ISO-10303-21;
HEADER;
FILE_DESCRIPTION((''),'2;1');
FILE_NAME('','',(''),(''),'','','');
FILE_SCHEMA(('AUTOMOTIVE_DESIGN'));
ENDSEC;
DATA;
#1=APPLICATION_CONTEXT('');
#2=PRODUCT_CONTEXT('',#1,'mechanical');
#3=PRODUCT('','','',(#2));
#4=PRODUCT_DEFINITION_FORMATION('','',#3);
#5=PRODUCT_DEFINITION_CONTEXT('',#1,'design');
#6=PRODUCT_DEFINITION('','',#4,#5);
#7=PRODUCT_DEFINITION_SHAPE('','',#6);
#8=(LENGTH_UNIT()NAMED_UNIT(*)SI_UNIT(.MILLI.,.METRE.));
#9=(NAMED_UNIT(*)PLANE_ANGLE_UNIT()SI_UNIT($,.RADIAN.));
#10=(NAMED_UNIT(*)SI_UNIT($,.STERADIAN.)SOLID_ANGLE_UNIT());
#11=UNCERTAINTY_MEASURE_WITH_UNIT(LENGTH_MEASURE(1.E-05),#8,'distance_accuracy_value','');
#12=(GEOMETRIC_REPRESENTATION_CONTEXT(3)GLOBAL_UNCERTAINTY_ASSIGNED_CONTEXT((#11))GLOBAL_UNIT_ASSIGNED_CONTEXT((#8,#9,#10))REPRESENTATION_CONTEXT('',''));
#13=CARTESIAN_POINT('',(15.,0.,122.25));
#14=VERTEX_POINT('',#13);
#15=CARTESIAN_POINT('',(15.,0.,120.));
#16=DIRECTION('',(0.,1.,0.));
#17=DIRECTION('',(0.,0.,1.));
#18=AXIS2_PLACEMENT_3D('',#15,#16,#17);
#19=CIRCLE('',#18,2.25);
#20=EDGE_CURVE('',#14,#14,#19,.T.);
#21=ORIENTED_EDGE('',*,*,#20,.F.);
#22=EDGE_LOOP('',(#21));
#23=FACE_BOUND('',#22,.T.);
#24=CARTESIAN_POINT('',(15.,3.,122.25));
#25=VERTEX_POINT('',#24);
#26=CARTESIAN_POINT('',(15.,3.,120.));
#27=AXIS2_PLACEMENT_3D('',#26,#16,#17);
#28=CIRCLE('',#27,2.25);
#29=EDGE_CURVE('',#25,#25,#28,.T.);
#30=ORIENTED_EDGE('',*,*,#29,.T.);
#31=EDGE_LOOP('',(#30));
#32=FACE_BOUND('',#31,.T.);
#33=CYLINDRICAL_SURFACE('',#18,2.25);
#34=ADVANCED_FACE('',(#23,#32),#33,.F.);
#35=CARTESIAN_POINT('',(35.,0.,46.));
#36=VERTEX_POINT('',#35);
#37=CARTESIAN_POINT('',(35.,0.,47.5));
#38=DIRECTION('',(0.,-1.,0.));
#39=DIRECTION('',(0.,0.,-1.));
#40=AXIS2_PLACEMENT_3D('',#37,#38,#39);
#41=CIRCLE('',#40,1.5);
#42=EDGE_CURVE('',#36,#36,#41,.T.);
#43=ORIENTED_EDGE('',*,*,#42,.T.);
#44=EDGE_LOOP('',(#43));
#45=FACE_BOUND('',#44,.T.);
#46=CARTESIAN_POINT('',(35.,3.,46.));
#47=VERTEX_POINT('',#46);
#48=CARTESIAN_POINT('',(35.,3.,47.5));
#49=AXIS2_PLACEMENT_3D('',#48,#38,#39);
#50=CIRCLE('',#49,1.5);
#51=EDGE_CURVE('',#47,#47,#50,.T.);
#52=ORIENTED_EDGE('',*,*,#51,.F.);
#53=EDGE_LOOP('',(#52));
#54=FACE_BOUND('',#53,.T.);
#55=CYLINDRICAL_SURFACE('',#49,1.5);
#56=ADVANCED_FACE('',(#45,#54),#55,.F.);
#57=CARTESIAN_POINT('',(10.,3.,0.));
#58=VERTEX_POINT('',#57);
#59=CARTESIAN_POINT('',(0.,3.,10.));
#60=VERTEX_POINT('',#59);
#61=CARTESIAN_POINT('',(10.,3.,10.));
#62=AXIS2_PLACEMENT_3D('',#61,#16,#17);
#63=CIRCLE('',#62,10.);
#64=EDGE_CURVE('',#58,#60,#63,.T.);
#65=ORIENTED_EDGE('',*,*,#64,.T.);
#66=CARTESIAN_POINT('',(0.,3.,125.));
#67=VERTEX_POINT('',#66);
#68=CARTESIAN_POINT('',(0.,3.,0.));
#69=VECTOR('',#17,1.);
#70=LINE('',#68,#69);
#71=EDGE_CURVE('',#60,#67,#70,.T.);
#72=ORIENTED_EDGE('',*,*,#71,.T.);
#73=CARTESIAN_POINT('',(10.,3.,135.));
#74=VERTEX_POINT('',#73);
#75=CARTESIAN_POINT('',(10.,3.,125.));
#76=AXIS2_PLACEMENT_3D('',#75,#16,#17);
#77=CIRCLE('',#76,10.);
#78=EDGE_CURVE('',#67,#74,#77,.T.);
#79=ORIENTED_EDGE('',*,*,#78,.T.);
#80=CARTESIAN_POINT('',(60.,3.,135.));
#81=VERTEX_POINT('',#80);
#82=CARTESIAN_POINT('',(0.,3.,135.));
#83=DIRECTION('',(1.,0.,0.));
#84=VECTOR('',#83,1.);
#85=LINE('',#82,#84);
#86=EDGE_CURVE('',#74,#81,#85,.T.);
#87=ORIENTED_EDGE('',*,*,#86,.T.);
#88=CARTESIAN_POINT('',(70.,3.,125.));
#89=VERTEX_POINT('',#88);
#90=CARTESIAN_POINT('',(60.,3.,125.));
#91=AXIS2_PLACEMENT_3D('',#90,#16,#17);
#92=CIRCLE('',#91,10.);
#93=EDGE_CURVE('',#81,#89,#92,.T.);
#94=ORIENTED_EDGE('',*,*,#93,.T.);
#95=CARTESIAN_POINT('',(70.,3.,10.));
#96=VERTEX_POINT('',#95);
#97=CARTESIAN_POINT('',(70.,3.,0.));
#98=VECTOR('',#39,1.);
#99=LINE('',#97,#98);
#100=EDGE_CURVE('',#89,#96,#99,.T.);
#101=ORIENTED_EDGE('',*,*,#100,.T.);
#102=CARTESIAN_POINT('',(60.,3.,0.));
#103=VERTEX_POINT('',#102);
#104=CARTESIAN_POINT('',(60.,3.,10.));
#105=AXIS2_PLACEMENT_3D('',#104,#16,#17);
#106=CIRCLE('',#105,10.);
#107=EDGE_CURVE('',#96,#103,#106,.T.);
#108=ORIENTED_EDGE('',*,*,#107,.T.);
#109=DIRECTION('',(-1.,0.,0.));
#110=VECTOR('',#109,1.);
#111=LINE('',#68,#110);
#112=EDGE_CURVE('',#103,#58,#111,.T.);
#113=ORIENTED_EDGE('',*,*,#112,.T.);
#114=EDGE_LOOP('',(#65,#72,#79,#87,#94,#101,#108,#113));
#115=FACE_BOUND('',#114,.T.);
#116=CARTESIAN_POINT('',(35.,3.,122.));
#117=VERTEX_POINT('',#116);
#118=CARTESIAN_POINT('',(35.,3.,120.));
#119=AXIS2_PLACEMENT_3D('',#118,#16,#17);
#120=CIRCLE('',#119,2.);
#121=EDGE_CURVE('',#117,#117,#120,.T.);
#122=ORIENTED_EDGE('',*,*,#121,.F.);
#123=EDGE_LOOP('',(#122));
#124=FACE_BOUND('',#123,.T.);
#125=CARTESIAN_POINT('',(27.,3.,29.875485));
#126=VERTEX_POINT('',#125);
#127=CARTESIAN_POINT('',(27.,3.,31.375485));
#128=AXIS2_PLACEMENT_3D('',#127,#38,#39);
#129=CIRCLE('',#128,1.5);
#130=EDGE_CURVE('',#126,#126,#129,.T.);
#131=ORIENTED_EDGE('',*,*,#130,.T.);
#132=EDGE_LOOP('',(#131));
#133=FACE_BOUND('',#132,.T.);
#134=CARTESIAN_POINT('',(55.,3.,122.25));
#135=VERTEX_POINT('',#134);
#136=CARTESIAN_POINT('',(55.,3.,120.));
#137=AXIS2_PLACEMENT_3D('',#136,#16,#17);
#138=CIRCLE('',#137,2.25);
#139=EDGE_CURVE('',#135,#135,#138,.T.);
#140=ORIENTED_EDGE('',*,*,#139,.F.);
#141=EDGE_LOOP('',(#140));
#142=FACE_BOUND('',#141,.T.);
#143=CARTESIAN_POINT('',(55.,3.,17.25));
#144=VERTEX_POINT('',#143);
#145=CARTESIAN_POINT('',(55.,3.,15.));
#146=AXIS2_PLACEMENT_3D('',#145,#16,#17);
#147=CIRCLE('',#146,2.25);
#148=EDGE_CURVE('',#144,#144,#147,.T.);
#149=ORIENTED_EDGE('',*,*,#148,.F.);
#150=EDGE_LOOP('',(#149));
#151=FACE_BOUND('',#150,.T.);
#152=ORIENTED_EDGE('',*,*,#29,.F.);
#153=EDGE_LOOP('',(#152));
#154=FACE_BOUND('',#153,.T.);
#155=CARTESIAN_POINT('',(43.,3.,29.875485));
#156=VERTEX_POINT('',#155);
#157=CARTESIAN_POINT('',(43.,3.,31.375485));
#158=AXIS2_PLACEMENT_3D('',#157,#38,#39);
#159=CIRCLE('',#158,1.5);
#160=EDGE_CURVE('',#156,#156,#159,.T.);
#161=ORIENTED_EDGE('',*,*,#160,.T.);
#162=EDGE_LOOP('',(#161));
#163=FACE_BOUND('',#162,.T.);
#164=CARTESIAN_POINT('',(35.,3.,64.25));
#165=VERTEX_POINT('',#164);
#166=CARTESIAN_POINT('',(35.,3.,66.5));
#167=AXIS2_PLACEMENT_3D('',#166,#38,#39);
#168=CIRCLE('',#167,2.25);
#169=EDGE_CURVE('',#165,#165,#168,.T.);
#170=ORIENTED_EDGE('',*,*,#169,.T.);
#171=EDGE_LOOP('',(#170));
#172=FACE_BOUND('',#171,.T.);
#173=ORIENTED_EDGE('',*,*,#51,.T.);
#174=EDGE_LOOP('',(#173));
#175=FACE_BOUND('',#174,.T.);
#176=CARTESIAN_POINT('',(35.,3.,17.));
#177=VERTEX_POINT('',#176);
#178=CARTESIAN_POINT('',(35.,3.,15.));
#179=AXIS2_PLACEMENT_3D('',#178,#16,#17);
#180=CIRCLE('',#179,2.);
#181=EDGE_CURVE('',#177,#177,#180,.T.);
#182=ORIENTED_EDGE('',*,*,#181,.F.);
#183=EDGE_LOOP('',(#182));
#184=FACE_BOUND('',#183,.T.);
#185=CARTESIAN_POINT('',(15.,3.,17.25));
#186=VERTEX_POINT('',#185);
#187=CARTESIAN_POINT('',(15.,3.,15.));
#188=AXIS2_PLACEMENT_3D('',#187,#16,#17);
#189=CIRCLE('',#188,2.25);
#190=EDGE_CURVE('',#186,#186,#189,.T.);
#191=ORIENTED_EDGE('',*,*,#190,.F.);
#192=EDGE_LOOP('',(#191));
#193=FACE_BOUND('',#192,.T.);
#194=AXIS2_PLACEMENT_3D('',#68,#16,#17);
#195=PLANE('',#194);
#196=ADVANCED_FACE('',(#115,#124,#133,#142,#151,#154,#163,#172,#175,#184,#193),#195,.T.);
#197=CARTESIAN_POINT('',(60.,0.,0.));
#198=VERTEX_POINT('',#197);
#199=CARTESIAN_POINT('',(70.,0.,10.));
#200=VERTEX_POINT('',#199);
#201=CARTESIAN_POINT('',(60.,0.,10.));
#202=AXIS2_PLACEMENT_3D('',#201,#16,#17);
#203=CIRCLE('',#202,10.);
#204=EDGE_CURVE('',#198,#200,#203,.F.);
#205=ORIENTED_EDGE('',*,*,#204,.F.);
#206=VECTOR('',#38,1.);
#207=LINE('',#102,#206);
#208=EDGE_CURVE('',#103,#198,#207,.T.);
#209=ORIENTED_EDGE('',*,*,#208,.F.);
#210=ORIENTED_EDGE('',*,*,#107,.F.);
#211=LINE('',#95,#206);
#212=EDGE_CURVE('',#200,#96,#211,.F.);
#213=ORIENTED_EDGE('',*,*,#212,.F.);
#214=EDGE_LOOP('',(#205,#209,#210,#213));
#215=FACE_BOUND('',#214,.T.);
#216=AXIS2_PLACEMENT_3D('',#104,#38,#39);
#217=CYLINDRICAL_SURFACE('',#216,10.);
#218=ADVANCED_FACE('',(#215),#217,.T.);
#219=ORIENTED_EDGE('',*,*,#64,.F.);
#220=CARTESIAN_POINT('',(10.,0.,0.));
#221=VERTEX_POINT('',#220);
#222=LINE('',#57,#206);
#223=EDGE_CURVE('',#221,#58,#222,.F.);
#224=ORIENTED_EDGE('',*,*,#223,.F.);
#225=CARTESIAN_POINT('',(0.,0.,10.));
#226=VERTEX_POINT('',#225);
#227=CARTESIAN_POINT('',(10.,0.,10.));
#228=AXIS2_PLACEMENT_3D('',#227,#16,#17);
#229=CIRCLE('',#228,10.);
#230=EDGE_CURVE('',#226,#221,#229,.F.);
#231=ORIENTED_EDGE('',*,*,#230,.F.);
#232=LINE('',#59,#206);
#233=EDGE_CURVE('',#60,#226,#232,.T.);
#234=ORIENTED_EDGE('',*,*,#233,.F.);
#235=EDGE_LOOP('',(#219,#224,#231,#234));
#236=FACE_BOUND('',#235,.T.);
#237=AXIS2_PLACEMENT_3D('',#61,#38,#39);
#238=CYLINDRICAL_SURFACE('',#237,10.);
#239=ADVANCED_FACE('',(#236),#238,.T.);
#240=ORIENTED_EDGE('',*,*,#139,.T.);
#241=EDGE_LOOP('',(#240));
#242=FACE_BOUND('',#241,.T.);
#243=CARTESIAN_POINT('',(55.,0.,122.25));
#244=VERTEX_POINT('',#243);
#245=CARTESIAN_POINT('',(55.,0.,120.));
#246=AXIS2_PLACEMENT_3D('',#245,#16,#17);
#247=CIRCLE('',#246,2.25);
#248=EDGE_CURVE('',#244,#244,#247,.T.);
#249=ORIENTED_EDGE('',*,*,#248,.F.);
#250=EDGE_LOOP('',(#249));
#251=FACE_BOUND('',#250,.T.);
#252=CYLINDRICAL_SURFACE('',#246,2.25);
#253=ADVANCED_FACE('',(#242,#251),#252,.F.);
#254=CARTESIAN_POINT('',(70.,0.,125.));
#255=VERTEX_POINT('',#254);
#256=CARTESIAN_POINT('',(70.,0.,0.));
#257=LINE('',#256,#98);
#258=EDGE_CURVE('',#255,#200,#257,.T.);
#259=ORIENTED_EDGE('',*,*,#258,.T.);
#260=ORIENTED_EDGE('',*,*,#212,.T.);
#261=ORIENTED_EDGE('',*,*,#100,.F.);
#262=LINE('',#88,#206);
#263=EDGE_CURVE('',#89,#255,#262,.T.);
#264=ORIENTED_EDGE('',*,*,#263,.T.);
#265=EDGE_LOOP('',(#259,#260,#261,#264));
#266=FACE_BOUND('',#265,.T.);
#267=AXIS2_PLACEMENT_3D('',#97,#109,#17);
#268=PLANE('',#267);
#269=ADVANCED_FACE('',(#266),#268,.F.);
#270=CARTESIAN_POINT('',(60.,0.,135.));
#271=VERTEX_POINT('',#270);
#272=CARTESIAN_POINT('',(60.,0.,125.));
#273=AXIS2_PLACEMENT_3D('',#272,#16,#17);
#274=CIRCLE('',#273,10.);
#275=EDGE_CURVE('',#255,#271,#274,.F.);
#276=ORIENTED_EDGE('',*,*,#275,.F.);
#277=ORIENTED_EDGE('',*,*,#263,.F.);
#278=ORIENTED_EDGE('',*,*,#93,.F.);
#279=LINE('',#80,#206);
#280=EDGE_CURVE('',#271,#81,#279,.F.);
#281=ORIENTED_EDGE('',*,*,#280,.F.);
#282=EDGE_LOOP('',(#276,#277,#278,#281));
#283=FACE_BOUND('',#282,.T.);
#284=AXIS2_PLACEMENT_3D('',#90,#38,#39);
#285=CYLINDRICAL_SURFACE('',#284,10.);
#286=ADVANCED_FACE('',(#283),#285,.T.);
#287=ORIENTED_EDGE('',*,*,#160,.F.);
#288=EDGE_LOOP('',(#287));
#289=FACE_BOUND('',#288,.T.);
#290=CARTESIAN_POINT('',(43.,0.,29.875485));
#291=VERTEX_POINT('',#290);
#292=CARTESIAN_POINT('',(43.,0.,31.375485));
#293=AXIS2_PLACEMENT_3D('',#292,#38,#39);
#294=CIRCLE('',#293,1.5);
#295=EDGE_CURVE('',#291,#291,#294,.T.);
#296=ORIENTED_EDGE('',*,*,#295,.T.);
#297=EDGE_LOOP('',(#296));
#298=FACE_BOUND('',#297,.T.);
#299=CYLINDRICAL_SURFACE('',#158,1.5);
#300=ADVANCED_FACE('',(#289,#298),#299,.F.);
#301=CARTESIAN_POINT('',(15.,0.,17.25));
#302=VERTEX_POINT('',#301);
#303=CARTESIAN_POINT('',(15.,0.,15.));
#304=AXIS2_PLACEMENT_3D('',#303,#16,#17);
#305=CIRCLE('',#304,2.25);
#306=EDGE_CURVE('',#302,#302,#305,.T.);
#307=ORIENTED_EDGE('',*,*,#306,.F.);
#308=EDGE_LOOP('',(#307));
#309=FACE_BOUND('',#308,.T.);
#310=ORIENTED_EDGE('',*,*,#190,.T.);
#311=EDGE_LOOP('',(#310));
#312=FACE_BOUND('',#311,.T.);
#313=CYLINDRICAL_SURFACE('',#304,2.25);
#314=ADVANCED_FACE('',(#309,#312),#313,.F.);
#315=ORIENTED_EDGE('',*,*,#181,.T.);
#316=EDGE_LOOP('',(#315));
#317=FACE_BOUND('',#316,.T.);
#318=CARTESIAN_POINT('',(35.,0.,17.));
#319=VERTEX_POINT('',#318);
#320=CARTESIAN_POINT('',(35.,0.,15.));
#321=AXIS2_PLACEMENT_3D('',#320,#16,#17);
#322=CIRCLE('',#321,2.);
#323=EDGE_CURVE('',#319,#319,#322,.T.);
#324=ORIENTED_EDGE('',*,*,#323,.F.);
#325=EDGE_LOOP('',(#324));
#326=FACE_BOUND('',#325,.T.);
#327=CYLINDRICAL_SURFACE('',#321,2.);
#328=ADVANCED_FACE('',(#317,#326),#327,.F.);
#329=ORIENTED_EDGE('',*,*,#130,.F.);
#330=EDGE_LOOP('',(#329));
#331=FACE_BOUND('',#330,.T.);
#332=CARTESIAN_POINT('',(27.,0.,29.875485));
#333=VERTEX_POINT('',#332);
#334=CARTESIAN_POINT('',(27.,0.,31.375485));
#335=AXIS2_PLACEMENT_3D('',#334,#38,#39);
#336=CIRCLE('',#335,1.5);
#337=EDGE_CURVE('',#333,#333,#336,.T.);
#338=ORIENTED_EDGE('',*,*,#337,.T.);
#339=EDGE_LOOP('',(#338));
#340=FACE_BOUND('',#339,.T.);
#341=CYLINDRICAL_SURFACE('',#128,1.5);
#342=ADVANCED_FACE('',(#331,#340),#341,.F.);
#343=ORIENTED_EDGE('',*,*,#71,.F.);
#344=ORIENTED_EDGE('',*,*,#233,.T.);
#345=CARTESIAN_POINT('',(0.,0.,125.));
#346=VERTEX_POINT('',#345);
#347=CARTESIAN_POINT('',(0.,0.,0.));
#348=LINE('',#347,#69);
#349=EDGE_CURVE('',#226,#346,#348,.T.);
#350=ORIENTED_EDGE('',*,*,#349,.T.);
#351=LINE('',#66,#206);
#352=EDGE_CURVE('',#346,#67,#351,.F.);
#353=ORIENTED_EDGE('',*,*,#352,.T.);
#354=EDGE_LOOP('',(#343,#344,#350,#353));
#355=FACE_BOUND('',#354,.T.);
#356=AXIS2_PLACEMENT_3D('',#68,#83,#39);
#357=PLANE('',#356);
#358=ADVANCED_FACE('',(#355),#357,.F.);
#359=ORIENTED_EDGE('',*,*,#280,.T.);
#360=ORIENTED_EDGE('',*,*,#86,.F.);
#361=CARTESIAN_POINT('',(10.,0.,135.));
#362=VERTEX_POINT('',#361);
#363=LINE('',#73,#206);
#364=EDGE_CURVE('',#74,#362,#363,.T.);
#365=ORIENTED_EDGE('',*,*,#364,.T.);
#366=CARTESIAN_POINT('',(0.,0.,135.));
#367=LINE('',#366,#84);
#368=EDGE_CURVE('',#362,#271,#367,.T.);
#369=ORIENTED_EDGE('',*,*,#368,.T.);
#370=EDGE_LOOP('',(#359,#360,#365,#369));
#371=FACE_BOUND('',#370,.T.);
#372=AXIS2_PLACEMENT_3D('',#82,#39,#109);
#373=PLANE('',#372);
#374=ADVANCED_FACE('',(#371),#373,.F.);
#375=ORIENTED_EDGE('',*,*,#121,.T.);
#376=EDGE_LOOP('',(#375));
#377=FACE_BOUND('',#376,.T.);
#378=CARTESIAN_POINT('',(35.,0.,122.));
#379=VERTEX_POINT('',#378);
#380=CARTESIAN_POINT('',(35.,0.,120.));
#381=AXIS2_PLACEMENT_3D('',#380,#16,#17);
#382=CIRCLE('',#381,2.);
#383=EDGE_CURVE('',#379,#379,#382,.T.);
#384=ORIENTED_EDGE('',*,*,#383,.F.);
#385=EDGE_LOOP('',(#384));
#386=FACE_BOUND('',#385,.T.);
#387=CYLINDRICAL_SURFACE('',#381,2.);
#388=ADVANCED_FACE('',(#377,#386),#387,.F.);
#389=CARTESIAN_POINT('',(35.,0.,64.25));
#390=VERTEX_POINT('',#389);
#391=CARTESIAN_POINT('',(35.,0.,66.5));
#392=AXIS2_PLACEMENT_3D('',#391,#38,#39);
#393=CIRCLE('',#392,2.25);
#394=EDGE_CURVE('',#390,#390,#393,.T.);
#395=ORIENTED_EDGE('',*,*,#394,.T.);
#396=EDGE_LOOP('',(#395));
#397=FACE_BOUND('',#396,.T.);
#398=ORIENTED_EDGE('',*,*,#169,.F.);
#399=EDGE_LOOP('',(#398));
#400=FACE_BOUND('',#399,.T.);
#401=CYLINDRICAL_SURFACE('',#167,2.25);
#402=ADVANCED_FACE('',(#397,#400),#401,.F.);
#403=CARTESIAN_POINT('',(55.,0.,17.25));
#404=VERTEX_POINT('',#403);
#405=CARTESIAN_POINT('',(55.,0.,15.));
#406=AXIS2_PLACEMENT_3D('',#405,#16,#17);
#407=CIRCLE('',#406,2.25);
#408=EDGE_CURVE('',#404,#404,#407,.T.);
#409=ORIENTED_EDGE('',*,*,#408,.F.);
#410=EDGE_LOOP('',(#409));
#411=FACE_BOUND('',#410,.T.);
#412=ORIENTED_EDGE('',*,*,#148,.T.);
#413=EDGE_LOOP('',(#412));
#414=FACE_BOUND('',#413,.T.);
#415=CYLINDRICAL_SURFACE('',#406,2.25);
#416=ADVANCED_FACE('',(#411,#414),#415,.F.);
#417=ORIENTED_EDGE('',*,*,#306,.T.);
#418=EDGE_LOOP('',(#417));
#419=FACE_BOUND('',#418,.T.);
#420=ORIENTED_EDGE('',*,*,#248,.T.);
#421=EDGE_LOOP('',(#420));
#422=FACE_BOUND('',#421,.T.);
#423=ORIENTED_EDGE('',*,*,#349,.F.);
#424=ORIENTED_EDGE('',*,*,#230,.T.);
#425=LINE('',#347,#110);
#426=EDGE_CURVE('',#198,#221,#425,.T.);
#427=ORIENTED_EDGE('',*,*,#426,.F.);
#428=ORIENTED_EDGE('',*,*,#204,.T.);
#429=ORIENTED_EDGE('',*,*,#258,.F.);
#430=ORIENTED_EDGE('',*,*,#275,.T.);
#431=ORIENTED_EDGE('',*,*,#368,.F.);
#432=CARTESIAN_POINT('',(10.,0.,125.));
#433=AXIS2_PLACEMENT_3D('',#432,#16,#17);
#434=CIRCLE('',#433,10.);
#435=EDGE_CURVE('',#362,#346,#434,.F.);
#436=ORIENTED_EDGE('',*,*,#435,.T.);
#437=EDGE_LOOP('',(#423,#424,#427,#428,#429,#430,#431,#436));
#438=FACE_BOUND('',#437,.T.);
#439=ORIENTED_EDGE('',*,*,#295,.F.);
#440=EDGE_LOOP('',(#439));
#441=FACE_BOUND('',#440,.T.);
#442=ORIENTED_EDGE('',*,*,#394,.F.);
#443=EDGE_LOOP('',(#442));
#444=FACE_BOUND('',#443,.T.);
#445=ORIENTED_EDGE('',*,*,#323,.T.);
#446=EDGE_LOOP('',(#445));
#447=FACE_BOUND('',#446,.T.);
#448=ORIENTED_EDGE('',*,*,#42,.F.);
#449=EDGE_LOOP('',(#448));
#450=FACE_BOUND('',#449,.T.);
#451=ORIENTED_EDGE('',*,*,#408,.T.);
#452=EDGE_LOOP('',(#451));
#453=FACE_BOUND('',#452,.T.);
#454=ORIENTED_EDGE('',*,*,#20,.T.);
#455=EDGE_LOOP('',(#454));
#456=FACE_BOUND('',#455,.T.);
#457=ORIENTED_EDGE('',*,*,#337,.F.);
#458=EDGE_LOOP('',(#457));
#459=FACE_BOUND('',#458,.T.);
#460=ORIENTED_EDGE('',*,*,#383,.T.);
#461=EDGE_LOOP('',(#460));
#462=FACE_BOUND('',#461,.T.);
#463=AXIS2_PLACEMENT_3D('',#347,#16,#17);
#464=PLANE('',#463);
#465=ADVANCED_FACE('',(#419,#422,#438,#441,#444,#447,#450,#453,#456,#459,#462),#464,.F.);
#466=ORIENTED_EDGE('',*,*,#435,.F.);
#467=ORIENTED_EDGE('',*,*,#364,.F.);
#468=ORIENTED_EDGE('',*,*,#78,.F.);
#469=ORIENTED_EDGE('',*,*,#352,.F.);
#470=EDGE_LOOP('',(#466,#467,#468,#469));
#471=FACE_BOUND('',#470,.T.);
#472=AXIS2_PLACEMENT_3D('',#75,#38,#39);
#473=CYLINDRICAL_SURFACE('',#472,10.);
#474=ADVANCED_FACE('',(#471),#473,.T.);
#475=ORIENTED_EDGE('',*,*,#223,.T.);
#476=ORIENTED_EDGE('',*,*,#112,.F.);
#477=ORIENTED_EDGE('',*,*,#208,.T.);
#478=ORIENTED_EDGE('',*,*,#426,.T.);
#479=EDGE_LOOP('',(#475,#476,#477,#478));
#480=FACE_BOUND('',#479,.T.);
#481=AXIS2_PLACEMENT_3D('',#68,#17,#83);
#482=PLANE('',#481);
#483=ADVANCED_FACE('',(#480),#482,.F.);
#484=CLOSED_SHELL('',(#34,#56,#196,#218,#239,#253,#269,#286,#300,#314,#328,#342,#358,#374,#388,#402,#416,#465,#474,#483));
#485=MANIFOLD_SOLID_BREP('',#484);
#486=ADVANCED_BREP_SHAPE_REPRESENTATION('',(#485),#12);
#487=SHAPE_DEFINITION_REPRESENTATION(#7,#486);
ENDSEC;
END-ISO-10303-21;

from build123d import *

# Parameters (mm, degrees)
SKETCH_1_W          = 70
SKETCH_1_H          = 135
EXTRUDE_1_DEPTH     = 3
SKETCH_2_R          = 2.25
SKETCH_2_R_2        = 2
CUT_EXTRUDE_1_DEPTH = 153.098652197
FILLET_1_R          = 10
SKETCH_3_R          = 1.5
SKETCH_3_R_2        = 2.25
CUT_EXTRUDE_2_DEPTH = 153.098652197


with BuildPart() as part:
    # 草图1 → 凸台-拉伸1 (new body)
    with BuildSketch(Plane(origin=(0, 0, 0), x_dir=(1, 0, 0), z_dir=(0, 1, 0))):
        with Locations((35, -67.5)):
            Rectangle(SKETCH_1_W, SKETCH_1_H)
    extrude(amount=EXTRUDE_1_DEPTH)

    # 草图2 → 切除-拉伸1 (cut, through all)
    with BuildSketch(Plane(origin=(0, 3, 0), x_dir=(1, 0, 0), z_dir=(0, 1, 0))):
        with Locations(Location((15, -15, 0), (0, 0, 270))):
            Circle(SKETCH_2_R)
        with Locations(Location((55, -15, 0), (0, 0, 270))):
            Circle(SKETCH_2_R)
        with Locations(Location((15, -120, 0), (0, 0, 270))):
            Circle(SKETCH_2_R)
        with Locations(Location((55, -120, 0), (0, 0, 270))):
            Circle(SKETCH_2_R)
        with Locations(Location((35, -120, 0), (0, 0, 270))):
            Circle(SKETCH_2_R_2)
        with Locations(Location((35, -15, 0), (0, 0, 270))):
            Circle(SKETCH_2_R_2)
    extrude(amount=-CUT_EXTRUDE_1_DEPTH, mode=Mode.SUBTRACT)

    # 圆角1
    fillet_1_edges = [part.edges().sort_by_distance(p)[0] for p in [
        (0, 1.5, 0),
        (70, 1.5, 0),
        (70, 1.5, 135),
        (0, 1.5, 135),
    ]]
    fillet(fillet_1_edges, radius=FILLET_1_R)

    # 草图3 → 切除-拉伸2 (cut, through all)
    with BuildSketch(Plane.XZ):
        with Locations(Location((35, 47.5, 0), (0, 0, 270))):
            Circle(SKETCH_3_R)
        with Locations(Location((43, 31.375484503, 0), (0, 0, 270))):
            Circle(SKETCH_3_R)
        with Locations(Location((27, 31.375484503, 0), (0, 0, 270))):
            Circle(SKETCH_3_R)
        with Locations(Location((35, 66.5, 0), (0, 0, 270))):
            Circle(SKETCH_3_R_2)
    extrude(amount=-CUT_EXTRUDE_2_DEPTH, mode=Mode.SUBTRACT)


solid = part.part
